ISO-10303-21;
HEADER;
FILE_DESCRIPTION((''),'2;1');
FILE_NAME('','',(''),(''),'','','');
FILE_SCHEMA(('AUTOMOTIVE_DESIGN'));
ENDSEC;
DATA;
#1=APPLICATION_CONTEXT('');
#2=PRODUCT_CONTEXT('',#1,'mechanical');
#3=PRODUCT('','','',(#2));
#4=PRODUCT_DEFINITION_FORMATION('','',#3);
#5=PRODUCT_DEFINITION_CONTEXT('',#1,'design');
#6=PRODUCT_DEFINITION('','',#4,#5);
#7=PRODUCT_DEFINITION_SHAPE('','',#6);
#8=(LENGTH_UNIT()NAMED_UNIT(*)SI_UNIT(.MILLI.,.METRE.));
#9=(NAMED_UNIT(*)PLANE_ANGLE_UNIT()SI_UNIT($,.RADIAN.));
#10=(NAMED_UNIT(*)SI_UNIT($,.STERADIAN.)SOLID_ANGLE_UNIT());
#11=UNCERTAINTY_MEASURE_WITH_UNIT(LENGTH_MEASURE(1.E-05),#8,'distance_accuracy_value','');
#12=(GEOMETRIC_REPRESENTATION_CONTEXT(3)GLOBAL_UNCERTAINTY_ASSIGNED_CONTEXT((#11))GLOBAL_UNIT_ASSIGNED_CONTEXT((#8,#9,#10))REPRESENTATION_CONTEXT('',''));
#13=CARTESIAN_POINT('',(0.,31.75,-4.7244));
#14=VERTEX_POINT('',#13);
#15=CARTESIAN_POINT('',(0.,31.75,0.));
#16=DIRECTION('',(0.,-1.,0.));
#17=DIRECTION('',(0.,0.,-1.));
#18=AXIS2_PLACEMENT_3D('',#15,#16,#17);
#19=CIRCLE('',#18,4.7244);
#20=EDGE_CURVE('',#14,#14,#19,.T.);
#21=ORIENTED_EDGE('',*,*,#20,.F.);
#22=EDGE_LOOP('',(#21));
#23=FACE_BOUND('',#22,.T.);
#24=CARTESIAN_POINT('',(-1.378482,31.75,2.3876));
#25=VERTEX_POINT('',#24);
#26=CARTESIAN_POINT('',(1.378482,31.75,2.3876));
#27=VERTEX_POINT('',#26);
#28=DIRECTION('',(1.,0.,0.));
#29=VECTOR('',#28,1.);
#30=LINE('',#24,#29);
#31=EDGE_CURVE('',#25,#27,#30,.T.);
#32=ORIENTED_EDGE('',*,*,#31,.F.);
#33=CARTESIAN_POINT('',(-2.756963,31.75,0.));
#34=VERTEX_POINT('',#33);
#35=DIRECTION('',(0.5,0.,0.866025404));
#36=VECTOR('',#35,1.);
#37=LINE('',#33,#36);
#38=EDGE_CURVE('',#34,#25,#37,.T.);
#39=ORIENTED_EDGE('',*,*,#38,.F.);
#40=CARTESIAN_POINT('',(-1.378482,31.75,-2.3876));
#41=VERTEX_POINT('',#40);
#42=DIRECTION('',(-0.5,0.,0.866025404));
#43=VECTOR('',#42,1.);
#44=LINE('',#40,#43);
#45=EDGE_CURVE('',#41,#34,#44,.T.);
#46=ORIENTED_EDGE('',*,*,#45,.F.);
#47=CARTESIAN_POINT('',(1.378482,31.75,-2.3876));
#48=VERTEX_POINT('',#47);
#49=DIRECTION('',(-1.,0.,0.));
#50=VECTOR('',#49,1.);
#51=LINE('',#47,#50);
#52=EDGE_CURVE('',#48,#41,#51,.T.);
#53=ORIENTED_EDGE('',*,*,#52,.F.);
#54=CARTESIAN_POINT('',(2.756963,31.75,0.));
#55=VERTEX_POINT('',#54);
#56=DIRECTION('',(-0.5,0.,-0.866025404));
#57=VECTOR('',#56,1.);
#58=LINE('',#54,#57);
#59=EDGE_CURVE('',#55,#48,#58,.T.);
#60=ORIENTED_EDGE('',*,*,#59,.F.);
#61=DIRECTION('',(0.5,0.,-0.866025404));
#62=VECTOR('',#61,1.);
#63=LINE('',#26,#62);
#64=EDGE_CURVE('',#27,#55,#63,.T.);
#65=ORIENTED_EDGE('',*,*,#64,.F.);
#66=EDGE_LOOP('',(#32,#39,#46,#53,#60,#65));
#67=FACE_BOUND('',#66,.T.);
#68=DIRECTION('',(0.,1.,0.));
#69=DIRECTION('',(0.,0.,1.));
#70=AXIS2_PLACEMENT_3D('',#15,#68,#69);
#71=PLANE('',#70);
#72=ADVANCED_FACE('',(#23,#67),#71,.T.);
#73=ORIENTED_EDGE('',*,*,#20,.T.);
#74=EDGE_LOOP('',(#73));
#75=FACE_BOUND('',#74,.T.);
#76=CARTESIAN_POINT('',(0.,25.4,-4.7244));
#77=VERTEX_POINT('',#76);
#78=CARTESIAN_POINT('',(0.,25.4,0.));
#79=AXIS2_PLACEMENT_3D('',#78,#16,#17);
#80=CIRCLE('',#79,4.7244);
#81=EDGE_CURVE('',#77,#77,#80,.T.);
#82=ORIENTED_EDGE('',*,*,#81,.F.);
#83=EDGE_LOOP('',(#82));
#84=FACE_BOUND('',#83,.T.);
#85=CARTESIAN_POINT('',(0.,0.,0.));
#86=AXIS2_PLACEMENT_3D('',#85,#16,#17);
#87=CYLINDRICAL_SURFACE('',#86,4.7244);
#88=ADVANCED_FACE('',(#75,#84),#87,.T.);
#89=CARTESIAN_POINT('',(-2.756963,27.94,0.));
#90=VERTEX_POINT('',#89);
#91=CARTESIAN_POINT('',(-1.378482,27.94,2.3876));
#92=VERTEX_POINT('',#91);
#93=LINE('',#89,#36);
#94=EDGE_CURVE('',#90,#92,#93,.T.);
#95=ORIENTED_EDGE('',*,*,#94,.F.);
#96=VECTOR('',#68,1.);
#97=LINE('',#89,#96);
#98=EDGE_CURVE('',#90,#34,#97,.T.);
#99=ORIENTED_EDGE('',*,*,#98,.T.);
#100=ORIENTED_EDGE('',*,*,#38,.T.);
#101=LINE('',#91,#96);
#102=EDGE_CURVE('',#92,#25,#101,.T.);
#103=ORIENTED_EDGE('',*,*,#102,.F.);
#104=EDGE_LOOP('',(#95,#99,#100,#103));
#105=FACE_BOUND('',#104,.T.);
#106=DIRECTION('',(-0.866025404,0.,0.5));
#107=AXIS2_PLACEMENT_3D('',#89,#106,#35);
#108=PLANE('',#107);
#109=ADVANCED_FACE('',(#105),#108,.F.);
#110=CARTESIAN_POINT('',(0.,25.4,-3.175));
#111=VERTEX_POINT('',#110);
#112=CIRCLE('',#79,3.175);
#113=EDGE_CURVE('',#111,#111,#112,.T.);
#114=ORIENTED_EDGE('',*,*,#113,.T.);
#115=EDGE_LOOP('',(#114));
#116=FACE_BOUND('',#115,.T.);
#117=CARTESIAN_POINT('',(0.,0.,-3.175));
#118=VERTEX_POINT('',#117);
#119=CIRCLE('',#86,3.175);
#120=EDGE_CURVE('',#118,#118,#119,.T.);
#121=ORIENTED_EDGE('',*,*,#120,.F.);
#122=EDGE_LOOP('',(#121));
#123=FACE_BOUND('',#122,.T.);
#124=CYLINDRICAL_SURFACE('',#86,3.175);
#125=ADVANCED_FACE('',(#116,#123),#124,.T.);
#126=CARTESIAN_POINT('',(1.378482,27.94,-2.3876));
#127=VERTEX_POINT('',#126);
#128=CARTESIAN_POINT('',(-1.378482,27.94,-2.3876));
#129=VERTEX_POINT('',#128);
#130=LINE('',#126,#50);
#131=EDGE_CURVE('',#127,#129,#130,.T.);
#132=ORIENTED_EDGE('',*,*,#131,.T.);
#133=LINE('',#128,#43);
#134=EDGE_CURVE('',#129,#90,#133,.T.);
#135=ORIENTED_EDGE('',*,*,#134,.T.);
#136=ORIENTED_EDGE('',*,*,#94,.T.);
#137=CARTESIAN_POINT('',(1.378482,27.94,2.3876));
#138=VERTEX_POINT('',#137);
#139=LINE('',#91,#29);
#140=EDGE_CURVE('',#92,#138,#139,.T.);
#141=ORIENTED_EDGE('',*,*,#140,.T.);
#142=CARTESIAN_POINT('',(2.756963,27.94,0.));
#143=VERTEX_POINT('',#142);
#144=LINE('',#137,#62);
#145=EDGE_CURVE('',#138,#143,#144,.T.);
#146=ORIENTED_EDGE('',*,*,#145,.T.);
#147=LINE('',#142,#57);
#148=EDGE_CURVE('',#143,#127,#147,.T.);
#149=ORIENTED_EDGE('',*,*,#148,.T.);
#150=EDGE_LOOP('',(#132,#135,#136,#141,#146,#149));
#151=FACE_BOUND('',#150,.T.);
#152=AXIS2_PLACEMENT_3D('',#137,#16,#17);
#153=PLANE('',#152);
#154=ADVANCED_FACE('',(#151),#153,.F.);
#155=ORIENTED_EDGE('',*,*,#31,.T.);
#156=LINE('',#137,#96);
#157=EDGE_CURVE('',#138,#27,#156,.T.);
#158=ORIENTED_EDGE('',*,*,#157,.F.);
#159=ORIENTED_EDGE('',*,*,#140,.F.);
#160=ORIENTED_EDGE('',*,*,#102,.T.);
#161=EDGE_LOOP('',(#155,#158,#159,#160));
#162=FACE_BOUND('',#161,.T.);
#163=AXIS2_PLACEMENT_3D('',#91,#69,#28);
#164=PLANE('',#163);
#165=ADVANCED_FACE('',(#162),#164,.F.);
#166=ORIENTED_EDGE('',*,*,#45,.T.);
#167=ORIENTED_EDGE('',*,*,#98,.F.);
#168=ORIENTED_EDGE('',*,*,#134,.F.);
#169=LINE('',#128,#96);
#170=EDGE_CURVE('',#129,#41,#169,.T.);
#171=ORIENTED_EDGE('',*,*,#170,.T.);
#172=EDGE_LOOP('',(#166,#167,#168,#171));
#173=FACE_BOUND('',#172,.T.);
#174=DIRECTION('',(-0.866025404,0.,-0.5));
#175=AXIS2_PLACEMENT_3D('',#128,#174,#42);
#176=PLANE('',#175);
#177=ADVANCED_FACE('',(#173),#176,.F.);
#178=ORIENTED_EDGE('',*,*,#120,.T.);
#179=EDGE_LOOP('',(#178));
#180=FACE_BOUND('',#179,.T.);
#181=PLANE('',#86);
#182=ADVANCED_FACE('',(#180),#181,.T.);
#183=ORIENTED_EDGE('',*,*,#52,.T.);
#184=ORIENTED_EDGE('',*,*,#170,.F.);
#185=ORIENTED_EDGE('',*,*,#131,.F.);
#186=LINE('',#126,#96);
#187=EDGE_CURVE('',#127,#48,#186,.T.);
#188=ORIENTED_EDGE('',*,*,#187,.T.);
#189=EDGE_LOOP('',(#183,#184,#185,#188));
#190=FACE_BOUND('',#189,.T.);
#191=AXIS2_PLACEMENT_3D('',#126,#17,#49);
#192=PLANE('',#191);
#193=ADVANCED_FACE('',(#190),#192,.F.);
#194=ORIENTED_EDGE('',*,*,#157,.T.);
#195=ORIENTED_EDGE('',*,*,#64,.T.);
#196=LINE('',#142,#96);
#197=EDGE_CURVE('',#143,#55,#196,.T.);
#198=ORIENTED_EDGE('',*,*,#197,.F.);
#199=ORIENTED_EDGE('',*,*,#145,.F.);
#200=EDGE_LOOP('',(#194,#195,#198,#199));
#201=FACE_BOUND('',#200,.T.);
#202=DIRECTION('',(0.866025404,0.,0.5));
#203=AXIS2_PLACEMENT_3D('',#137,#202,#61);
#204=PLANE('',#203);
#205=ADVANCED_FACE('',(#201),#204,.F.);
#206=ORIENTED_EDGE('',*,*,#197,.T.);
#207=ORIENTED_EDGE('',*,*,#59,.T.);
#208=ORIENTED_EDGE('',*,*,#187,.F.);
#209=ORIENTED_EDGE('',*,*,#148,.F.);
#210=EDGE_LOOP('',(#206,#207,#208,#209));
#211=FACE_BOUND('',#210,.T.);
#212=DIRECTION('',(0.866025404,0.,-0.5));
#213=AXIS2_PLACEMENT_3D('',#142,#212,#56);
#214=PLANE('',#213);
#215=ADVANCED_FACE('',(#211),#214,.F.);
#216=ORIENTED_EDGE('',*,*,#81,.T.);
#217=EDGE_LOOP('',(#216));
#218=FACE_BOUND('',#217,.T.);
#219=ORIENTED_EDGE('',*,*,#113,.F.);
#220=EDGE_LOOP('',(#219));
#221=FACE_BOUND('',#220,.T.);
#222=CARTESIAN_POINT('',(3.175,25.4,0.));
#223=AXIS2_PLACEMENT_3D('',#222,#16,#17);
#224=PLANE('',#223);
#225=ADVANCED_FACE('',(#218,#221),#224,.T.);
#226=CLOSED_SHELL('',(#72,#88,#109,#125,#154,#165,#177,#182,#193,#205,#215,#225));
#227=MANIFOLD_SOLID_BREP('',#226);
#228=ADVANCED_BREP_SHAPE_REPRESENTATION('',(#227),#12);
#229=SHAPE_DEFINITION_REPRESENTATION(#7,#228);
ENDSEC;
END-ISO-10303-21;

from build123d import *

# Parameters (mm, degrees)
HEX_CUT_DEPTH = 3.81


with BuildPart() as part:
    # Sketch1 → Screw revolve (revolve)
    with BuildSketch(Plane.XY, mode=Mode.PRIVATE) as screw_revolve_sk:
        Polygon((0, 0), (3.175, 0), (3.175, 25.4), (4.7244, 25.4), (4.7244, 31.75), (0, 31.75), align=None)
    revolve(screw_revolve_sk.sketch.rotate(Axis((0, 0, 0), (0, 1, 0)), 90), axis=Axis((0, 0, 0), (0, 1, 0)))

    # Sketch2 → Hex Cut (cut)
    with BuildSketch(Plane(origin=(0, 31.75, 0), x_dir=(-1, 0, 0), z_dir=(0, 1, 0))):
        Polygon((-2.756963005, 0), (-1.378481503, -2.3876), (1.378481503, -2.3876), (2.756963005, 0), (1.378481503, 2.3876), (-1.378481503, 2.3876), align=None)
    extrude(amount=-HEX_CUT_DEPTH, mode=Mode.SUBTRACT)


solid = part.part
